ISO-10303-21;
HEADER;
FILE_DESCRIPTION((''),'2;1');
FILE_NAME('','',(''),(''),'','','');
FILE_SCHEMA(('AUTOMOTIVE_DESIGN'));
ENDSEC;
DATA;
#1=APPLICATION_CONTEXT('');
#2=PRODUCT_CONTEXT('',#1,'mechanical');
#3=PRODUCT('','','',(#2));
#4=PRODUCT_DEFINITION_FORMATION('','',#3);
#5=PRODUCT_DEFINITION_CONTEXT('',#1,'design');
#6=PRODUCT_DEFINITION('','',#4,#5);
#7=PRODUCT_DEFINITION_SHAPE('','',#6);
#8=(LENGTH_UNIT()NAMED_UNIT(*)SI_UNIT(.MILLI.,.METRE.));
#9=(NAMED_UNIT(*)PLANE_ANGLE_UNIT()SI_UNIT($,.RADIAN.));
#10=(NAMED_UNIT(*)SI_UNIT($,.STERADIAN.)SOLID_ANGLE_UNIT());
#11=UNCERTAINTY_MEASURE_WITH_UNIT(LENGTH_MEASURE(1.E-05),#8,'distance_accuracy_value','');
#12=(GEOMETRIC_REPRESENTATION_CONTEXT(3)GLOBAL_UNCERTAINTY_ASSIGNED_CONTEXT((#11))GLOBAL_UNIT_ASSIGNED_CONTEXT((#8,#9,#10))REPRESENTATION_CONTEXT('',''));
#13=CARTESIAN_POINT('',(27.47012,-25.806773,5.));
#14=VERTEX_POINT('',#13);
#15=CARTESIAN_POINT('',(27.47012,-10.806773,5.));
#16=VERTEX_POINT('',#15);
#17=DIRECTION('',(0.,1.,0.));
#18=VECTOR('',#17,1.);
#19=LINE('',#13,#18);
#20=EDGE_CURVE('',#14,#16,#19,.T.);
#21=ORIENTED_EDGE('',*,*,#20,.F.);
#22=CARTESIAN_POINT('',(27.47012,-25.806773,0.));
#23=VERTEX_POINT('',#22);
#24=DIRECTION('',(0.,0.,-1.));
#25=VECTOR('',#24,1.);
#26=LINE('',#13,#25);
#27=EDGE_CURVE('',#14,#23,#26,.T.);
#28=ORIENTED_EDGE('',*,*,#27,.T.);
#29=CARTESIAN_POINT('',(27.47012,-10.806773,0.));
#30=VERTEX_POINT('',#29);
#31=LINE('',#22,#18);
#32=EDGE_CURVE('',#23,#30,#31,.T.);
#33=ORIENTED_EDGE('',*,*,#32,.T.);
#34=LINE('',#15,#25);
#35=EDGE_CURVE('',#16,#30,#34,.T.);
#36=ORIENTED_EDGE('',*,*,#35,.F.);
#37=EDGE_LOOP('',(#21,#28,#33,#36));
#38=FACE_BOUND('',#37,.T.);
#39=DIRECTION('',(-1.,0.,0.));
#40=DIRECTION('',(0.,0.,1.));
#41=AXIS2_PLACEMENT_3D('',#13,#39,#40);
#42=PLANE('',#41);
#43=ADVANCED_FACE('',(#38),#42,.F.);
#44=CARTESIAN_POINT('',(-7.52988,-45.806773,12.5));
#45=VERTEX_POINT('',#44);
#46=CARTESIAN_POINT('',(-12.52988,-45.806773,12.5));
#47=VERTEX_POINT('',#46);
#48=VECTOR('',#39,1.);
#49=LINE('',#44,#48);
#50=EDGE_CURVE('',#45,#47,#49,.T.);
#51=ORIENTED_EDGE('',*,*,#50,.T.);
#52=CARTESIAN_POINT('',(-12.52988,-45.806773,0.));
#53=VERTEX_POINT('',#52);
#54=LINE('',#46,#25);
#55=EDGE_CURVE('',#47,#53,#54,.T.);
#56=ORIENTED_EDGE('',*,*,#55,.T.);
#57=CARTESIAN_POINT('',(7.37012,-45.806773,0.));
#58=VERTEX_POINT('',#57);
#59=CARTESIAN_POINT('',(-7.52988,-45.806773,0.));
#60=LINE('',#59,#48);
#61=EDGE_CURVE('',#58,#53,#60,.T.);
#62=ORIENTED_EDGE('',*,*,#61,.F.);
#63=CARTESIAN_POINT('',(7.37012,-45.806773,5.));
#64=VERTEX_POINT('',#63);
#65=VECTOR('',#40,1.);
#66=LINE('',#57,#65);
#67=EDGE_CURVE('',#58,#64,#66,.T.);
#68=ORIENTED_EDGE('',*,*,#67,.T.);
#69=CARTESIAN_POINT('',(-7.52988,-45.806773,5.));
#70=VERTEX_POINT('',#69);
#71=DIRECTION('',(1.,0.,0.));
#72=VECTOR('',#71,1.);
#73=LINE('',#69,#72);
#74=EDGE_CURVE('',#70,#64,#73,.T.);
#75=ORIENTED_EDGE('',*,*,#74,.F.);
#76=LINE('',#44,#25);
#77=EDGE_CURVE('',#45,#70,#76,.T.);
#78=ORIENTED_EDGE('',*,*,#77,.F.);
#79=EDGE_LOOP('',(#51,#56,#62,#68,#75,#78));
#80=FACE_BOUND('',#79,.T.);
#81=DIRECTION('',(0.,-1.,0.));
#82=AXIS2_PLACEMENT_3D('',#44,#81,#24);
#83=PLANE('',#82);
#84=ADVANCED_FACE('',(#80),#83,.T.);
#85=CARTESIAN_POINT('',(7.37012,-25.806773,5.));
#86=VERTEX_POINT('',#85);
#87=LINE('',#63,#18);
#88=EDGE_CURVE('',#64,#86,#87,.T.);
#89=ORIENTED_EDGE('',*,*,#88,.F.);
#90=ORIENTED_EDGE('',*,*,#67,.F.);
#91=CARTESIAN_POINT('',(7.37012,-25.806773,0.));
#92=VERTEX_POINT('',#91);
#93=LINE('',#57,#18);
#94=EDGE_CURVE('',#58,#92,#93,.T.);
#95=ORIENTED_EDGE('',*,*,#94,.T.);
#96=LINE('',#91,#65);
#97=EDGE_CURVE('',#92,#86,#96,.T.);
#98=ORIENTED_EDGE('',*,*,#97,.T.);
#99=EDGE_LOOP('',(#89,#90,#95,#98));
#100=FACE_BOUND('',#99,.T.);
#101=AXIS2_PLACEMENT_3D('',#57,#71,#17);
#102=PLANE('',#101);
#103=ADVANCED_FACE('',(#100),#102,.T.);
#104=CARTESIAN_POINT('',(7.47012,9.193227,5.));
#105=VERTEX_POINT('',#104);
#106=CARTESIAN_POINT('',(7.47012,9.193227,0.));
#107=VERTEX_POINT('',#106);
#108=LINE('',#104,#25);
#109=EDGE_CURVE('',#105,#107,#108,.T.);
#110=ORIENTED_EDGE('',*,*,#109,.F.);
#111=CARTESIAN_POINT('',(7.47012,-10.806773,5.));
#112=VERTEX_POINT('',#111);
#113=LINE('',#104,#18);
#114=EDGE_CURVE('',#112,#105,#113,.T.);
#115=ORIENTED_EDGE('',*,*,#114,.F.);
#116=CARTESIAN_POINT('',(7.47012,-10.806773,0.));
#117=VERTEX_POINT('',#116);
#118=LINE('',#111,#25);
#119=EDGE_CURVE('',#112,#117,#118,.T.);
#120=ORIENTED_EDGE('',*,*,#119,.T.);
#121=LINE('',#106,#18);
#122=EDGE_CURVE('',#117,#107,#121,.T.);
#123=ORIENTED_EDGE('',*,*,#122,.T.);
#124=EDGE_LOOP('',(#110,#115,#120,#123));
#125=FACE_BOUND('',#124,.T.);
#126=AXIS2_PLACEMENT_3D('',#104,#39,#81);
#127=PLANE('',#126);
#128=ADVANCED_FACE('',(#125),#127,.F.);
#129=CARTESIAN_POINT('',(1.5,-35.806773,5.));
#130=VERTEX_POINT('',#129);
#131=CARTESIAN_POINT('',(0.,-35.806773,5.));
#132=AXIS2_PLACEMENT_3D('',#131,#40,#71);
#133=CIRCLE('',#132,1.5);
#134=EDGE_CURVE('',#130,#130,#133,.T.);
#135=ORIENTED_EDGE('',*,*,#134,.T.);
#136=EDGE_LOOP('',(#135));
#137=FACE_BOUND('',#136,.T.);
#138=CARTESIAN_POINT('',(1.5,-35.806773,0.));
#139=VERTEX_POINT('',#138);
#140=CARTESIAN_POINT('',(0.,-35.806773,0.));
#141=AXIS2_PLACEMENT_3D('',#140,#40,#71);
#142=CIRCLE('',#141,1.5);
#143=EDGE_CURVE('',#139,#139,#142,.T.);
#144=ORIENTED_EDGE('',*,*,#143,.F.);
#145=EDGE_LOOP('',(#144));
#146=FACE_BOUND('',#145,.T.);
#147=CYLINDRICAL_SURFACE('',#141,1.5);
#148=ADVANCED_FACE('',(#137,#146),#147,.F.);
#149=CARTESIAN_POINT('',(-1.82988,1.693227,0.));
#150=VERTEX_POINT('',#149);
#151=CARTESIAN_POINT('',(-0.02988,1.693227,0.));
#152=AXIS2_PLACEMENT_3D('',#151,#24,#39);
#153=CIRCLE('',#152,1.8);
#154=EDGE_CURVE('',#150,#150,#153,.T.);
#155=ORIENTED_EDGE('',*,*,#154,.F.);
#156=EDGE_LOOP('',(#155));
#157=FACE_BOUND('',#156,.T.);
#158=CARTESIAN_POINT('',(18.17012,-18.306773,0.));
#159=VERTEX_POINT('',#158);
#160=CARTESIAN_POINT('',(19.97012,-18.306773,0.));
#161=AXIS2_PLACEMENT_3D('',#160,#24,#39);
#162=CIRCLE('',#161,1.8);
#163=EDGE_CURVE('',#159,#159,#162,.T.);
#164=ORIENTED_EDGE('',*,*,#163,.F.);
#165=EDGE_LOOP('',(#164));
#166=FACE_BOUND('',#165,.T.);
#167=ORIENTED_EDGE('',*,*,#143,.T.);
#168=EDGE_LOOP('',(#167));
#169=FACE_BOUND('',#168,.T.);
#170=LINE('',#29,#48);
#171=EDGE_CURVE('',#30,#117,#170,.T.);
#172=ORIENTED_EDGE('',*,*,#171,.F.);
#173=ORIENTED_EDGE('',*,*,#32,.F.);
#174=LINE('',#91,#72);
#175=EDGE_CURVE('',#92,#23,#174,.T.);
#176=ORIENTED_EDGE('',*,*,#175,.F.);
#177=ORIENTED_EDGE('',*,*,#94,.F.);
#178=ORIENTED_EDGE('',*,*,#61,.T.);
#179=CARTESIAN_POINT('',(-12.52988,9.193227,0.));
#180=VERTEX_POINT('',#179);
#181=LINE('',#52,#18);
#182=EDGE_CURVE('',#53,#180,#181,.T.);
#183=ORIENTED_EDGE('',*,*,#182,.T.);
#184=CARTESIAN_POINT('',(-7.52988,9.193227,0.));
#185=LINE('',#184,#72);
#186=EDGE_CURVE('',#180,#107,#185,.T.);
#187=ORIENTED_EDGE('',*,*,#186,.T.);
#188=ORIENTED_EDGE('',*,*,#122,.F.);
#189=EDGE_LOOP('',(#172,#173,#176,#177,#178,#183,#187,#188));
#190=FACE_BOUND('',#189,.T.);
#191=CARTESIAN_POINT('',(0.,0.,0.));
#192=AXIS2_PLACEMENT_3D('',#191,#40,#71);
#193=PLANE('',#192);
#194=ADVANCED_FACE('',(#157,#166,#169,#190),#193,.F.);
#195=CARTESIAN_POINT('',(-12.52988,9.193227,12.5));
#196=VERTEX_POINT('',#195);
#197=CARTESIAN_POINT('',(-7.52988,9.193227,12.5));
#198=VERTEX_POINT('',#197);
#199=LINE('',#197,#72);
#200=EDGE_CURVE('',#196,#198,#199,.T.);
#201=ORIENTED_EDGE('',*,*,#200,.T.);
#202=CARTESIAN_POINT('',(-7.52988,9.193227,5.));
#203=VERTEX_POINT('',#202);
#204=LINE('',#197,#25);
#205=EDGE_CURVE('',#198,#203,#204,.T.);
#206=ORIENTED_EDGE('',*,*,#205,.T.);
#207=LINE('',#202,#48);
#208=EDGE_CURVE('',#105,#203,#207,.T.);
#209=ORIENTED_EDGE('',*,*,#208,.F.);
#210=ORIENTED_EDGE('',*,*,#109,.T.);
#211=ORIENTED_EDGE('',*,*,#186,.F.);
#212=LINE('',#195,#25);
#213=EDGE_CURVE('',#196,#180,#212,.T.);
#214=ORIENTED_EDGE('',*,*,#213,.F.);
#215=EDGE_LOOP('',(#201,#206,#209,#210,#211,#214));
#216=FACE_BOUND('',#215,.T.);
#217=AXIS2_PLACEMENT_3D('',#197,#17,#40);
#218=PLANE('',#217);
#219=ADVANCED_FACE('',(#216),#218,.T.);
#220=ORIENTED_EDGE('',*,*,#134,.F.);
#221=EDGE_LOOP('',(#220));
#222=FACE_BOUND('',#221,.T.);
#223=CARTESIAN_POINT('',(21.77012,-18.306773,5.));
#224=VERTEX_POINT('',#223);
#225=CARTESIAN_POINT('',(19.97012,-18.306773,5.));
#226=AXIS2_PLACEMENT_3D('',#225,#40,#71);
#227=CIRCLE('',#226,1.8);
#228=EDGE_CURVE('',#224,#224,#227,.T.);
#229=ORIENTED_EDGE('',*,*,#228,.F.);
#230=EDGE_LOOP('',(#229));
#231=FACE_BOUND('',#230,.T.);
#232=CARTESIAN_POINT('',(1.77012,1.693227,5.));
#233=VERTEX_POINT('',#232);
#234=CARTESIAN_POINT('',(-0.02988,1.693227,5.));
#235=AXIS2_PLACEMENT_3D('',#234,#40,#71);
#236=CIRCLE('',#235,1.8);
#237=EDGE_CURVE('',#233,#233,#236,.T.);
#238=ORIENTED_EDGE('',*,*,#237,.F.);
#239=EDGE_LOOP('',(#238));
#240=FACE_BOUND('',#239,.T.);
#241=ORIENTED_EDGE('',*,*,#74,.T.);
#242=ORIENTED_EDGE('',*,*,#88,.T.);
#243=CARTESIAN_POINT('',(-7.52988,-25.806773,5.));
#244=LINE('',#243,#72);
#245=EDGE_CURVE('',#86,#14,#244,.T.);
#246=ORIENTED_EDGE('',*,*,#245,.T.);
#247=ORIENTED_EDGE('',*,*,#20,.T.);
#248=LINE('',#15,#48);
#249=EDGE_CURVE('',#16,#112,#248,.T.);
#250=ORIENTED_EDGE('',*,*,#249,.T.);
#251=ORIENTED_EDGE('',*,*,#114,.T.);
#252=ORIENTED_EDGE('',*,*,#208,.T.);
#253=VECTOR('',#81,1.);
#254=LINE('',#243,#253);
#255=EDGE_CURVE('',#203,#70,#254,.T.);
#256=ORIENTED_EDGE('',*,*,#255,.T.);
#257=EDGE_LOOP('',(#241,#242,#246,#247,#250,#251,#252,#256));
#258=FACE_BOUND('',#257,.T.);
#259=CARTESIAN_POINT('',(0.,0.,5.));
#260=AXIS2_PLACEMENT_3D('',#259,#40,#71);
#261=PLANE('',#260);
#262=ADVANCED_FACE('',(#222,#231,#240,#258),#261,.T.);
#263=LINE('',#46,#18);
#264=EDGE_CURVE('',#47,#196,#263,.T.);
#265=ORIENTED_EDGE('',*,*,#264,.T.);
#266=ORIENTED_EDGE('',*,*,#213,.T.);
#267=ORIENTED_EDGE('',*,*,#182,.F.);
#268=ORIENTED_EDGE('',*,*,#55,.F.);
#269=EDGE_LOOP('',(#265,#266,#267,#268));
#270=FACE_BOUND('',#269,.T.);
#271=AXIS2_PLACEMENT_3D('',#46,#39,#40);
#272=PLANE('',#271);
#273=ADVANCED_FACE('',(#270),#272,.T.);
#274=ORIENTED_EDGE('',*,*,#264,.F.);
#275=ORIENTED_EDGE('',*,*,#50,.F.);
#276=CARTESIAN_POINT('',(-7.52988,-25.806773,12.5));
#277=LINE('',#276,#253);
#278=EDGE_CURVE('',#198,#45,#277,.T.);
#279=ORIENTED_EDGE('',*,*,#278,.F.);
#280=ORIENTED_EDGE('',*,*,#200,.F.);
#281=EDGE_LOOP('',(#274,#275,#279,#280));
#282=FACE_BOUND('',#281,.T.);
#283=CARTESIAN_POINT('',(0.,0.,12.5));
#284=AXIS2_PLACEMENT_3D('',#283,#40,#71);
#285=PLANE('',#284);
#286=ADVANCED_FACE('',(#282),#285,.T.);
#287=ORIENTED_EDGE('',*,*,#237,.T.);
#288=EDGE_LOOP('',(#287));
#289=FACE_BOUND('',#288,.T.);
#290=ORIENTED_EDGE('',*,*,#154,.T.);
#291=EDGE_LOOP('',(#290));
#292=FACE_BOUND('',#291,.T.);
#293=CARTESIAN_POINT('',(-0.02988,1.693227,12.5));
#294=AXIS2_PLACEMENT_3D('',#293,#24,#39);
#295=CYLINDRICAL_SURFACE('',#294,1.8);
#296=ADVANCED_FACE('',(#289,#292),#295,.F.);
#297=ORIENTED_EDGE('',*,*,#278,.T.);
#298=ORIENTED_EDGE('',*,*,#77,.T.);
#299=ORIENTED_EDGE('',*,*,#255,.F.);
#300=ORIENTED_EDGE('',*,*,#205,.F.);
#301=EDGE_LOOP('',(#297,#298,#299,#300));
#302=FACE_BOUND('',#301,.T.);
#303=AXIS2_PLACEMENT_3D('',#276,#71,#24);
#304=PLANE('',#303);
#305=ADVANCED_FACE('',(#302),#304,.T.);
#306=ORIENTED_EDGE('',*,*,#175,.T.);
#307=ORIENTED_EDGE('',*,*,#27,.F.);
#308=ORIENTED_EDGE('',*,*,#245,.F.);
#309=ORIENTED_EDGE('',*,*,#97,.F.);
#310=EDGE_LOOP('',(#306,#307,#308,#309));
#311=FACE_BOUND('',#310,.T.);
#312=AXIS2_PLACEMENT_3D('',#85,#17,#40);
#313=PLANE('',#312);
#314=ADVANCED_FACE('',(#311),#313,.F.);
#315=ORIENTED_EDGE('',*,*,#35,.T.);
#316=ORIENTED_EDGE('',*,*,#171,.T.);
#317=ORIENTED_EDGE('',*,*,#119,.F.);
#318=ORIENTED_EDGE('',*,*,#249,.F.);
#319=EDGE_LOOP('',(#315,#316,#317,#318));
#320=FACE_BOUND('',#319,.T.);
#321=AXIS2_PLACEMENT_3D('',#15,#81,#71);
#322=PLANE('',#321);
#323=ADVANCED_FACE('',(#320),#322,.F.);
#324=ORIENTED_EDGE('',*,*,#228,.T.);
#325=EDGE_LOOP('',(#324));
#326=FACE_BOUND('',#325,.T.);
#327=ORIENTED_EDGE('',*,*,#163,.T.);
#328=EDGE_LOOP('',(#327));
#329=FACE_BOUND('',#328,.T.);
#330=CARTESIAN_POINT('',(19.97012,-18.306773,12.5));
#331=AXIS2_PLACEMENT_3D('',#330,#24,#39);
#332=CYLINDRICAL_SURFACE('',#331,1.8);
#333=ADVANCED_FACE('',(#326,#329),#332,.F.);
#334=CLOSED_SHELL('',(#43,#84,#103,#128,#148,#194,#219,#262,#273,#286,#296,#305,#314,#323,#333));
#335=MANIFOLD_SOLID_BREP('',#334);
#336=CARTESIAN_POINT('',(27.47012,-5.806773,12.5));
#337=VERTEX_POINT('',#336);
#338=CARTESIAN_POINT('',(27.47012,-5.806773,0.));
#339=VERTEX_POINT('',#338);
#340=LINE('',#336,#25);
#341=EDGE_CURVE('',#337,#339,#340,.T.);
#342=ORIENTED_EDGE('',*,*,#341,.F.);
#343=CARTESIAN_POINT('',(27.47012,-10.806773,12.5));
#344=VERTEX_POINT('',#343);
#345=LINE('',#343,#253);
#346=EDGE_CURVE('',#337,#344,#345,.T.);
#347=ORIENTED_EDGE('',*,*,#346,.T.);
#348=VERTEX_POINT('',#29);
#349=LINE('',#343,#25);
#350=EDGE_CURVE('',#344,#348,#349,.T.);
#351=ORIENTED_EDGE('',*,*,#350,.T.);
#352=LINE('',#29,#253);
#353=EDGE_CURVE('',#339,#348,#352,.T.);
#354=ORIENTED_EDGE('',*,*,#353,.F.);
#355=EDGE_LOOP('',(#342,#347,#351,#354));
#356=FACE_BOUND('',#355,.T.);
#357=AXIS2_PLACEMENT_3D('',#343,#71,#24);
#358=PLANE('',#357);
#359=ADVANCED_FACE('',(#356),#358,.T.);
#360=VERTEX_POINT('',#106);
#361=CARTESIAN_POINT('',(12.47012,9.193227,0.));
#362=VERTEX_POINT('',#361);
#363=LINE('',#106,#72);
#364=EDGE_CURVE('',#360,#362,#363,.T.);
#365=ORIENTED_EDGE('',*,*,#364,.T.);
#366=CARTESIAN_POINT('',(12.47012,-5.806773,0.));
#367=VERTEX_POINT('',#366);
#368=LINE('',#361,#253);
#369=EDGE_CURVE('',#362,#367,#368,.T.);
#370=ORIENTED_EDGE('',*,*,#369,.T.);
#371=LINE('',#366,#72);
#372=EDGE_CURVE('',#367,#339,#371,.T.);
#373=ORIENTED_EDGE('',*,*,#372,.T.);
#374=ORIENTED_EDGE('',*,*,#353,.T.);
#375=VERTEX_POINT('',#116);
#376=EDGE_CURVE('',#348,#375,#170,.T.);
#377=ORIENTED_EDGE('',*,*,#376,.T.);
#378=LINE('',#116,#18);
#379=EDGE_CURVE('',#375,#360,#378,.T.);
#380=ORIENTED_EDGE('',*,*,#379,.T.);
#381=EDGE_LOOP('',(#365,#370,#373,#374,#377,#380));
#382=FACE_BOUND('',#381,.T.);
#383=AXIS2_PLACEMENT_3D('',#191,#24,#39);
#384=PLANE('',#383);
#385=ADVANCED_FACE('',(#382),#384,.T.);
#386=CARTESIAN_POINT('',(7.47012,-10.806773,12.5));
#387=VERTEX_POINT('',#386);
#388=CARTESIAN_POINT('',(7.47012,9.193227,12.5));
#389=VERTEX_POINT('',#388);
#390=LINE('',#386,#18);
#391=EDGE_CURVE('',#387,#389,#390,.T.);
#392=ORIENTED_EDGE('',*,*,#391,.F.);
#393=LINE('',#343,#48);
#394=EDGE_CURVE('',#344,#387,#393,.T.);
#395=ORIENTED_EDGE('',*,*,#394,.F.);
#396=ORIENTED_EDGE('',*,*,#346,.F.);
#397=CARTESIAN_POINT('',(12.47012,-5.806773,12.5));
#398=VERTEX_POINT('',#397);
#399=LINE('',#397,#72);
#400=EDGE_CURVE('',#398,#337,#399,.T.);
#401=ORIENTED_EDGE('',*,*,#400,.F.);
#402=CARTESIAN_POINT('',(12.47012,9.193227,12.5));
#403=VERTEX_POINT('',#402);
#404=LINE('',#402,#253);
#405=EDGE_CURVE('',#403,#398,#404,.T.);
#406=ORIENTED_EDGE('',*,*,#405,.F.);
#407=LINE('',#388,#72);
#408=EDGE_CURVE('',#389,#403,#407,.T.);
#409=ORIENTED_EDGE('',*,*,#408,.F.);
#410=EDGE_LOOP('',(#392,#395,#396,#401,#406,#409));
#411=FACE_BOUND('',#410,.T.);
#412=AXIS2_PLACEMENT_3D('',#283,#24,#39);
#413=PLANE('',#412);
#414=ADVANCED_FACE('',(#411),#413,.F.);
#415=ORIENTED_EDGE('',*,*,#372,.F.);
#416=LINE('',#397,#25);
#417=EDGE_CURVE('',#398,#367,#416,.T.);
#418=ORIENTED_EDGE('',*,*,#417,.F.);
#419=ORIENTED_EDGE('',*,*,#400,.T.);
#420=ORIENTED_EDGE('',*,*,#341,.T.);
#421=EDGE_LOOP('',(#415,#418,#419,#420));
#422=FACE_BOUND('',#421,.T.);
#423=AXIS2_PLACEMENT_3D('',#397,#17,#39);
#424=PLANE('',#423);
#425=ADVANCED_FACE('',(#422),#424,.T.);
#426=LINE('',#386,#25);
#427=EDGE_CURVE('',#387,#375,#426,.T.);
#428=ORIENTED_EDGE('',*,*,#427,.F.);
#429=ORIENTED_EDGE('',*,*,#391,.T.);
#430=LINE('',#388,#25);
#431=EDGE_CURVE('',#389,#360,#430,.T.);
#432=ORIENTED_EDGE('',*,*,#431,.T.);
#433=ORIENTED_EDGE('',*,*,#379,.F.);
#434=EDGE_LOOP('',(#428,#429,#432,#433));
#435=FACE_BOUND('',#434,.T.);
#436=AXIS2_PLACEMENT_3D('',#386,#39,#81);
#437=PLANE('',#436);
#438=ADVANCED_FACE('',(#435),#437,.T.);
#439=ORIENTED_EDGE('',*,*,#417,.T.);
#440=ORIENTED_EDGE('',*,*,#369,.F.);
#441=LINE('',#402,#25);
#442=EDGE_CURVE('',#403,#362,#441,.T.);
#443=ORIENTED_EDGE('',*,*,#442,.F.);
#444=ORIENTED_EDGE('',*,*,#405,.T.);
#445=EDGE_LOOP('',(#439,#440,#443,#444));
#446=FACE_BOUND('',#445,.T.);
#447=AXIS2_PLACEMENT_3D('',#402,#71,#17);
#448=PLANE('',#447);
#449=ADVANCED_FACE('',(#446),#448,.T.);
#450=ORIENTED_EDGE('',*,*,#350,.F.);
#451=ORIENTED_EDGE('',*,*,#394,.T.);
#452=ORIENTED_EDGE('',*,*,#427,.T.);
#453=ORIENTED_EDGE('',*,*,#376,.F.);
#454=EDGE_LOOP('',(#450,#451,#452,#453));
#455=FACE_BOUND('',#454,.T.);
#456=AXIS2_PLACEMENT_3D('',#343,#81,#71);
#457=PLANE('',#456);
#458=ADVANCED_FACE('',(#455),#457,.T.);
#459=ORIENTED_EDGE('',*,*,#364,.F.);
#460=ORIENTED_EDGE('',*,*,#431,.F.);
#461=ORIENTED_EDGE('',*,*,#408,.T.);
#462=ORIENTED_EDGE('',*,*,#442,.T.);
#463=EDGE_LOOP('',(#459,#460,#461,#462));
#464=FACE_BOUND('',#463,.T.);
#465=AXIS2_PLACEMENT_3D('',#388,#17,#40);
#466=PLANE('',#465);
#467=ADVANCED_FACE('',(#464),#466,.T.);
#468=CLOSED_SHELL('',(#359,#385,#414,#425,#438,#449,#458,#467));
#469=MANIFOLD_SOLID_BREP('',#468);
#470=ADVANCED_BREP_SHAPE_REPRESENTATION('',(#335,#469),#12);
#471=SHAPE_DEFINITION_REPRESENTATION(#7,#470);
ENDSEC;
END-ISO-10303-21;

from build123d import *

# Parameters (mm, degrees)
BOSS_EXTRUDE1_DEPTH = 5
BOSS_EXTRUDE2_DEPTH = 12.5
BOSS_EXTRUDE3_DEPTH = 12.5
SKETCH4_R           = 1.8
CUT_EXTRUDE1_DEPTH  = 13.5
SKETCH6_W           = 14.9
SKETCH6_H           = 20
BOSS_EXTRUDE4_DEPTH = 5
SKETCH8_R           = 1.5
CUT_EXTRUDE2_DEPTH  = 6


with BuildPart() as part:
    # Sketch1 → Boss-Extrude1 (new body)
    with BuildSketch(Plane.XY):
        Polygon((7.370119522, -25.806772908), (27.470119522, -25.806772908), (27.470119522, -10.806772908), (7.470119522, -10.806772908), (7.470119522, 9.193227092), (-7.529880478, 9.193227092), (-7.529880478, -25.806772908), align=None)
    extrude(amount=BOSS_EXTRUDE1_DEPTH)

    # Sketch4 → Cut-Extrude1 (cut, through all)
    with BuildSketch(Plane(origin=(0, 0, 0), x_dir=(-1, 0, 0), z_dir=(0, 0, -1))):
        with Locations((0.029880478, 1.693227092)):
            Circle(SKETCH4_R)
        with Locations((-19.970119522, -18.306772908)):
            Circle(SKETCH4_R)
    extrude(amount=-CUT_EXTRUDE1_DEPTH, mode=Mode.SUBTRACT)



with BuildPart() as body_2:
    # Sketch2 → Boss-Extrude2 (new body)
    with BuildSketch(Plane(origin=(0, 0, 0), x_dir=(-1, 0, 0), z_dir=(0, 0, -1))):
        Polygon((-7.470119522, 9.193227092), (-12.470119522, 9.193227092), (-12.470119522, -5.806772908), (-27.470119522, -5.806772908), (-27.470119522, -10.806772908), (-7.470119522, -10.806772908), align=None)
    extrude(amount=-BOSS_EXTRUDE2_DEPTH)


with BuildPart() as body_3:
    # Sketch3 → Boss-Extrude3 (new body)
    with BuildSketch(Plane(origin=(0, 0, 0), x_dir=(-1, 0, 0), z_dir=(0, 0, -1))):
        Polygon((7.529880478, 9.193227092), (12.529880478, 9.193227092), (12.529880478, -45.806772908), (7.529880478, -45.806772908), (7.529880478, -25.806772908), align=None)
    extrude(amount=-BOSS_EXTRUDE3_DEPTH)


with BuildPart() as part_1:
    add(part.part)

    add(body_3.part)  # Boss-Extrude4 merges body 3
    # Sketch6 → Boss-Extrude4 (add)
    with BuildSketch(Plane.XY.offset(5)):
        with Locations((-0.079880478, -35.806772908)):
            Rectangle(SKETCH6_W, SKETCH6_H)
    extrude(amount=-BOSS_EXTRUDE4_DEPTH)

    # Sketch8 → Cut-Extrude2 (cut, through all)
    with BuildSketch(Plane.XY.offset(5)):
        with Locations((0, -35.806772908)):
            Circle(SKETCH8_R)
    extrude(amount=-CUT_EXTRUDE2_DEPTH, mode=Mode.SUBTRACT)


solid = Compound([body_2.part, part_1.part])
